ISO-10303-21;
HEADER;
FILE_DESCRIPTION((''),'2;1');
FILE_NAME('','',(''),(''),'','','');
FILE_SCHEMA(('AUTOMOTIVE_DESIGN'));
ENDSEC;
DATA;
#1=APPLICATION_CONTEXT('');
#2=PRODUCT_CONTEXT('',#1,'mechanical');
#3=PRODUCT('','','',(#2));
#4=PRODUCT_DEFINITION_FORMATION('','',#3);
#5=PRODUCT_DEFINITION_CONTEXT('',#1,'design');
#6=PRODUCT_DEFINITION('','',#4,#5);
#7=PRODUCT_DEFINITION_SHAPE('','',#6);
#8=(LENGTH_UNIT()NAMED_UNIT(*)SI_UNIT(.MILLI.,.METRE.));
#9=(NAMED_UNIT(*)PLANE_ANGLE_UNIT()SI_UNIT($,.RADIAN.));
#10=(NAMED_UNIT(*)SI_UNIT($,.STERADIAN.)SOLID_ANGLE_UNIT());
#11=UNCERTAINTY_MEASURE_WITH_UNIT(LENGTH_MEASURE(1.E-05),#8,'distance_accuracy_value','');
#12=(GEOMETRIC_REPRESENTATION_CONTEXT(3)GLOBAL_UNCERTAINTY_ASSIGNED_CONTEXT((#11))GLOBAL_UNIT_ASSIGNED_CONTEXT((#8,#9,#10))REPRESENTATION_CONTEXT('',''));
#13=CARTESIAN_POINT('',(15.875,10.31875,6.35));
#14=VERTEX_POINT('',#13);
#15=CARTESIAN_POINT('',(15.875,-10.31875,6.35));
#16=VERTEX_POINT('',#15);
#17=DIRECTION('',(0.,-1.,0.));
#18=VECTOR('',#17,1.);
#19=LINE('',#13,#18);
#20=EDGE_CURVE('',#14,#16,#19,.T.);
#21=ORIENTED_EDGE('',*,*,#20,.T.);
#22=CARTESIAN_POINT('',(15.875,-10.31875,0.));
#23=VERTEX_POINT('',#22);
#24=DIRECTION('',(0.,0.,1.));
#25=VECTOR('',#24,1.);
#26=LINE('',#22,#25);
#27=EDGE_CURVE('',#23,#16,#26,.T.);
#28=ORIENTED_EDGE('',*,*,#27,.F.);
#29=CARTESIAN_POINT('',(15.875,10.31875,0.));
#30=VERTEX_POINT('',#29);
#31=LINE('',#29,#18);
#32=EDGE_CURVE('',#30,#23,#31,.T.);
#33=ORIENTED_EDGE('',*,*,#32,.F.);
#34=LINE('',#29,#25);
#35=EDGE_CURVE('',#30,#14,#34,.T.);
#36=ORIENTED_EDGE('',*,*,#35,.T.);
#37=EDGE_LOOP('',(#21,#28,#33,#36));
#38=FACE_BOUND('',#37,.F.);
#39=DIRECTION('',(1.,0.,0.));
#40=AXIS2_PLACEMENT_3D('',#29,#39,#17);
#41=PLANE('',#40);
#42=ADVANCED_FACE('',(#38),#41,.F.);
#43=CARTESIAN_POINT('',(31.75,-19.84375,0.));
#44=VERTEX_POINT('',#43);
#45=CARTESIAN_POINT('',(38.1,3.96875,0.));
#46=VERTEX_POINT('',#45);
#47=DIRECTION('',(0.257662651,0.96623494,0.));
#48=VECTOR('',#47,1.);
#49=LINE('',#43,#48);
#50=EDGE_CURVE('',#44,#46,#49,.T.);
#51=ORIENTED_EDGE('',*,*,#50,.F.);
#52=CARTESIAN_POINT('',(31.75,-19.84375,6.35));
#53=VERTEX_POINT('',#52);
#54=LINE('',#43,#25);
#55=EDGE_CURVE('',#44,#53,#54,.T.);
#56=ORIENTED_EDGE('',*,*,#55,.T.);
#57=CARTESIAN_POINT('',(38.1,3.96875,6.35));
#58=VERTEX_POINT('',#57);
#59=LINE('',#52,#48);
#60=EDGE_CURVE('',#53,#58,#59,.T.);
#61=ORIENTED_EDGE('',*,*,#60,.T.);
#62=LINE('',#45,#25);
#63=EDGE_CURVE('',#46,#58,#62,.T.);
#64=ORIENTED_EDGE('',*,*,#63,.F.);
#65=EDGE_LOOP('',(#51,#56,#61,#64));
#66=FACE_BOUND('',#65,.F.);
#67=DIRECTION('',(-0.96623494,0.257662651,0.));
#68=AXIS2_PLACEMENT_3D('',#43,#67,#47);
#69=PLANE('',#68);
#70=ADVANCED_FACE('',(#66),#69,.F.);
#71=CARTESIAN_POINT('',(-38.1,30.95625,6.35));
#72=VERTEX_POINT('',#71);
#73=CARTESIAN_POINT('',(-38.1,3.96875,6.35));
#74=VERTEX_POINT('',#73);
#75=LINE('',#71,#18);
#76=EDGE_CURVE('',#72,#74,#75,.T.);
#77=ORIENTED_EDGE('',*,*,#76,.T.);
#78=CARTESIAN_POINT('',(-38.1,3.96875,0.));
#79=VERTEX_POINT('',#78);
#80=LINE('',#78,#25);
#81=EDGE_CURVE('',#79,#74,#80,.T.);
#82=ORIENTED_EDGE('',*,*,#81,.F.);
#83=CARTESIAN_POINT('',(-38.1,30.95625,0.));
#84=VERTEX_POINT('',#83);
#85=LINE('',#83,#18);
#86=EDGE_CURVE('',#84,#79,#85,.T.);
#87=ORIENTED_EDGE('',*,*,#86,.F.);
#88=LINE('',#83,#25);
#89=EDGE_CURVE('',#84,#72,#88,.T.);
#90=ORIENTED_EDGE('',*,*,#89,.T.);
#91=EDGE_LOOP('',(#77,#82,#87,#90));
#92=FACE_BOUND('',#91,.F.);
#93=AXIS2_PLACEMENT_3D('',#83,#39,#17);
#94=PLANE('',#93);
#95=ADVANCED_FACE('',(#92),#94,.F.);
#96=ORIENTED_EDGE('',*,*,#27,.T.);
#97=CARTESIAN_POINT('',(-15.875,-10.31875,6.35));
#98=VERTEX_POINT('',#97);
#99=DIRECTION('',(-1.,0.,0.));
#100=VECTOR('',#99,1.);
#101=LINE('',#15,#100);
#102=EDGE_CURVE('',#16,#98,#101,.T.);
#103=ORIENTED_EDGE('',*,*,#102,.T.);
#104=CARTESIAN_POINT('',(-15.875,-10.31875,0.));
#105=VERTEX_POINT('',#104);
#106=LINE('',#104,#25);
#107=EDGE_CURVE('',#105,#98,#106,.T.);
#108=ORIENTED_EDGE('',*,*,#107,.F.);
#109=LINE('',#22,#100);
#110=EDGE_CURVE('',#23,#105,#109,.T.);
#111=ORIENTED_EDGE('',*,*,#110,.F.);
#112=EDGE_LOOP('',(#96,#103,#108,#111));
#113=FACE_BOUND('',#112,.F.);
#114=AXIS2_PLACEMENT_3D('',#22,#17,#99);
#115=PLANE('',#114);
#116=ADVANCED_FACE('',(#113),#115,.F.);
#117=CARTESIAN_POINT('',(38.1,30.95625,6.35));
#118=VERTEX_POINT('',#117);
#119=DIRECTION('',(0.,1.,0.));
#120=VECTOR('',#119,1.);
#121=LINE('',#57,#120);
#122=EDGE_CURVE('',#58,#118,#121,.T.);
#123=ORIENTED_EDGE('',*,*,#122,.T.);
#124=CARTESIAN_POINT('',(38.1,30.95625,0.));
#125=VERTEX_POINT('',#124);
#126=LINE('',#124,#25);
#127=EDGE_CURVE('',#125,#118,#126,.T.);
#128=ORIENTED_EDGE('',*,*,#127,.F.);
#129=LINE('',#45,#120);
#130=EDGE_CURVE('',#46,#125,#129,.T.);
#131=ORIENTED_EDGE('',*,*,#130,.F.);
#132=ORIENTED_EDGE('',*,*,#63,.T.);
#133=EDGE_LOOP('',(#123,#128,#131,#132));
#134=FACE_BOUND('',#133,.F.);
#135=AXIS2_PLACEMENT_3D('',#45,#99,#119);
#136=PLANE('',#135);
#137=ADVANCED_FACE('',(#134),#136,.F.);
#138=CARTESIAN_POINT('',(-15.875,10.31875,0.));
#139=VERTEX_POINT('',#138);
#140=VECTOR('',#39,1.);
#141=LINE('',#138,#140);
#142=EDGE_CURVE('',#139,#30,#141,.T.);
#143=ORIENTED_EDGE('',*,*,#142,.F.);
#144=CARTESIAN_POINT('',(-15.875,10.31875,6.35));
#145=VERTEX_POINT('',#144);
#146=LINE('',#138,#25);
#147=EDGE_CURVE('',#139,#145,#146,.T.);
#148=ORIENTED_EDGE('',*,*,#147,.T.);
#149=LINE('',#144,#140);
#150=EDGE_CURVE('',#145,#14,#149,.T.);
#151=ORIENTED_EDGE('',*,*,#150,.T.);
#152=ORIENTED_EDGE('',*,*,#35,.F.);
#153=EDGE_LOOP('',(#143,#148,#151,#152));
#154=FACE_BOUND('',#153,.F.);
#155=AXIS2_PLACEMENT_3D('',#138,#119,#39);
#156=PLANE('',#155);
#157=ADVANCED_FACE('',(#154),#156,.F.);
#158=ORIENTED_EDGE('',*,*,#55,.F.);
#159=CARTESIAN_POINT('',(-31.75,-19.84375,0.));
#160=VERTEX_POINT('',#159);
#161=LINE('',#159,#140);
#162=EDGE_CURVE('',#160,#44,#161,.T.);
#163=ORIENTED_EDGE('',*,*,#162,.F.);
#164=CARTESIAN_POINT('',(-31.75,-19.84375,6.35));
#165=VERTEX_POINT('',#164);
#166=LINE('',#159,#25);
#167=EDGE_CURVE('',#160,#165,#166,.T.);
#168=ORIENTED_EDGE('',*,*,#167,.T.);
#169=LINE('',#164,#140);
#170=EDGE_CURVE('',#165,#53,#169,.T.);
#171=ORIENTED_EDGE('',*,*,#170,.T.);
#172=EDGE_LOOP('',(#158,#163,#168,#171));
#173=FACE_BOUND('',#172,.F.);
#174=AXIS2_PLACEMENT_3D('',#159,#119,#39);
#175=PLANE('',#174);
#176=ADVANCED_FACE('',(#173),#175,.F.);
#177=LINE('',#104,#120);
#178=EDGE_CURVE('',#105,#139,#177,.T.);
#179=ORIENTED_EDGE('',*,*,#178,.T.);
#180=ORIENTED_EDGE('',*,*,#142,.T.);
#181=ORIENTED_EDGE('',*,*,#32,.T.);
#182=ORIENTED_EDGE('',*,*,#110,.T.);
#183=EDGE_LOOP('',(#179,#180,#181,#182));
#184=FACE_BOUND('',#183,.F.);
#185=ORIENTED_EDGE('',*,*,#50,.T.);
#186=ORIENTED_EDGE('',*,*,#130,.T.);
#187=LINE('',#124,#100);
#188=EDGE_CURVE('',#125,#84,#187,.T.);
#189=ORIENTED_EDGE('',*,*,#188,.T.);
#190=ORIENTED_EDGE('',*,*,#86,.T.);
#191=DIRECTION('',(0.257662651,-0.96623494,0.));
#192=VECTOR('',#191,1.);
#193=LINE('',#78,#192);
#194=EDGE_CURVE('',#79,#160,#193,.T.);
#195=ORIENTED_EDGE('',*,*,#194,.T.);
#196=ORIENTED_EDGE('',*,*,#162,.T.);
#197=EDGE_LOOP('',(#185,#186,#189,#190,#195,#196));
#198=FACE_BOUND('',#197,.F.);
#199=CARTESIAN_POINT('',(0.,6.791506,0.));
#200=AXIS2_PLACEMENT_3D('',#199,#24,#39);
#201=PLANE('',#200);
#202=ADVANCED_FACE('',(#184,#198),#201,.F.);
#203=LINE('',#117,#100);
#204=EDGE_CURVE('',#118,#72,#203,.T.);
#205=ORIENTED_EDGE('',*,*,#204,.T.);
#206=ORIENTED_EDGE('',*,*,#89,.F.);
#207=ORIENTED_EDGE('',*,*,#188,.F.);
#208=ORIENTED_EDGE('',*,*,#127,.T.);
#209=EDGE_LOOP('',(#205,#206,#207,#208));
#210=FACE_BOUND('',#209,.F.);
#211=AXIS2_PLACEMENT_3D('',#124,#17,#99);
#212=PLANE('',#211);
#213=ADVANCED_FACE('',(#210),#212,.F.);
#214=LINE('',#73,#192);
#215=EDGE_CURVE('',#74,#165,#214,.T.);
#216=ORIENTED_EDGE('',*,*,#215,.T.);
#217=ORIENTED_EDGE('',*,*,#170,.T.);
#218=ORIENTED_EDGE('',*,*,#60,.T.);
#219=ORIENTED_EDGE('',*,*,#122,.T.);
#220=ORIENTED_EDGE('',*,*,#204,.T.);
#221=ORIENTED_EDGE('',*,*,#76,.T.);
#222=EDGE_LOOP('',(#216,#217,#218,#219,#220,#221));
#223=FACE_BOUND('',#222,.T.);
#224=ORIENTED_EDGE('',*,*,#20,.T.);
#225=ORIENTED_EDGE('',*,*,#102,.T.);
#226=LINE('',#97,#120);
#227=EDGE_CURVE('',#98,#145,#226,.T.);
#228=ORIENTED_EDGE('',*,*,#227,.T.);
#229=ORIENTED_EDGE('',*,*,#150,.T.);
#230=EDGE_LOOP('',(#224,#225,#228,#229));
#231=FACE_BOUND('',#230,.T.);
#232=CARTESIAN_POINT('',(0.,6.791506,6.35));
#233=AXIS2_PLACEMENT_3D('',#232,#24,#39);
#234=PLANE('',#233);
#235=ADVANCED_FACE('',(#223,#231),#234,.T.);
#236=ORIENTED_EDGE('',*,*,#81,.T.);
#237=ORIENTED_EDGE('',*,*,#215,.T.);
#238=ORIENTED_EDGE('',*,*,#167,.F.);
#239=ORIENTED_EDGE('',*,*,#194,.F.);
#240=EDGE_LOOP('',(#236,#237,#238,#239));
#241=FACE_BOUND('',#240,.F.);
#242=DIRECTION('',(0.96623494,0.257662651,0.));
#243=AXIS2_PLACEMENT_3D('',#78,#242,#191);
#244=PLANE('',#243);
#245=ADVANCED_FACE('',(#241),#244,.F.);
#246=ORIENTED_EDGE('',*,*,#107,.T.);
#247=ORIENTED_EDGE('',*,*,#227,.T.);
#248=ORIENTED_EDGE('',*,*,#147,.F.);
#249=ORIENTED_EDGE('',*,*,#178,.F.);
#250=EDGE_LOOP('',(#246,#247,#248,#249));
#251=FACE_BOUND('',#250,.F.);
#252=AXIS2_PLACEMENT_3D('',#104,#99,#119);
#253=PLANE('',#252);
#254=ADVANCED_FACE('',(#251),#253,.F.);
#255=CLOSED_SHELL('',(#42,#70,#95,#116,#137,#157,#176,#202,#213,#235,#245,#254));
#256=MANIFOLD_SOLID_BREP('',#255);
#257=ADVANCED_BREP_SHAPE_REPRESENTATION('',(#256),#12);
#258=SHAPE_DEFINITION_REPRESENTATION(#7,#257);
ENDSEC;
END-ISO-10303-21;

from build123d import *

# Parameters (mm, degrees)
F1_DEPTH = 6.35


with BuildPart() as f1:
    # F0 (on Top) → F1 (new body)
    with BuildSketch(Plane.XY):
        Polygon((38.1, 3.96875), (38.1, 30.95625), (0, 30.95625), (-38.1, 30.95625), (-38.1, 3.96875), (-31.75, -19.84375), (0, -19.84375), (31.75, -19.84375), align=None)
        Polygon((-15.875, 10.31875), (0, 10.31875), (15.875, 10.31875), (15.875, -10.31875), (0, -10.31875), (-15.875, -10.31875), align=None, mode=Mode.SUBTRACT)
    extrude(amount=F1_DEPTH)


solid = f1.part
